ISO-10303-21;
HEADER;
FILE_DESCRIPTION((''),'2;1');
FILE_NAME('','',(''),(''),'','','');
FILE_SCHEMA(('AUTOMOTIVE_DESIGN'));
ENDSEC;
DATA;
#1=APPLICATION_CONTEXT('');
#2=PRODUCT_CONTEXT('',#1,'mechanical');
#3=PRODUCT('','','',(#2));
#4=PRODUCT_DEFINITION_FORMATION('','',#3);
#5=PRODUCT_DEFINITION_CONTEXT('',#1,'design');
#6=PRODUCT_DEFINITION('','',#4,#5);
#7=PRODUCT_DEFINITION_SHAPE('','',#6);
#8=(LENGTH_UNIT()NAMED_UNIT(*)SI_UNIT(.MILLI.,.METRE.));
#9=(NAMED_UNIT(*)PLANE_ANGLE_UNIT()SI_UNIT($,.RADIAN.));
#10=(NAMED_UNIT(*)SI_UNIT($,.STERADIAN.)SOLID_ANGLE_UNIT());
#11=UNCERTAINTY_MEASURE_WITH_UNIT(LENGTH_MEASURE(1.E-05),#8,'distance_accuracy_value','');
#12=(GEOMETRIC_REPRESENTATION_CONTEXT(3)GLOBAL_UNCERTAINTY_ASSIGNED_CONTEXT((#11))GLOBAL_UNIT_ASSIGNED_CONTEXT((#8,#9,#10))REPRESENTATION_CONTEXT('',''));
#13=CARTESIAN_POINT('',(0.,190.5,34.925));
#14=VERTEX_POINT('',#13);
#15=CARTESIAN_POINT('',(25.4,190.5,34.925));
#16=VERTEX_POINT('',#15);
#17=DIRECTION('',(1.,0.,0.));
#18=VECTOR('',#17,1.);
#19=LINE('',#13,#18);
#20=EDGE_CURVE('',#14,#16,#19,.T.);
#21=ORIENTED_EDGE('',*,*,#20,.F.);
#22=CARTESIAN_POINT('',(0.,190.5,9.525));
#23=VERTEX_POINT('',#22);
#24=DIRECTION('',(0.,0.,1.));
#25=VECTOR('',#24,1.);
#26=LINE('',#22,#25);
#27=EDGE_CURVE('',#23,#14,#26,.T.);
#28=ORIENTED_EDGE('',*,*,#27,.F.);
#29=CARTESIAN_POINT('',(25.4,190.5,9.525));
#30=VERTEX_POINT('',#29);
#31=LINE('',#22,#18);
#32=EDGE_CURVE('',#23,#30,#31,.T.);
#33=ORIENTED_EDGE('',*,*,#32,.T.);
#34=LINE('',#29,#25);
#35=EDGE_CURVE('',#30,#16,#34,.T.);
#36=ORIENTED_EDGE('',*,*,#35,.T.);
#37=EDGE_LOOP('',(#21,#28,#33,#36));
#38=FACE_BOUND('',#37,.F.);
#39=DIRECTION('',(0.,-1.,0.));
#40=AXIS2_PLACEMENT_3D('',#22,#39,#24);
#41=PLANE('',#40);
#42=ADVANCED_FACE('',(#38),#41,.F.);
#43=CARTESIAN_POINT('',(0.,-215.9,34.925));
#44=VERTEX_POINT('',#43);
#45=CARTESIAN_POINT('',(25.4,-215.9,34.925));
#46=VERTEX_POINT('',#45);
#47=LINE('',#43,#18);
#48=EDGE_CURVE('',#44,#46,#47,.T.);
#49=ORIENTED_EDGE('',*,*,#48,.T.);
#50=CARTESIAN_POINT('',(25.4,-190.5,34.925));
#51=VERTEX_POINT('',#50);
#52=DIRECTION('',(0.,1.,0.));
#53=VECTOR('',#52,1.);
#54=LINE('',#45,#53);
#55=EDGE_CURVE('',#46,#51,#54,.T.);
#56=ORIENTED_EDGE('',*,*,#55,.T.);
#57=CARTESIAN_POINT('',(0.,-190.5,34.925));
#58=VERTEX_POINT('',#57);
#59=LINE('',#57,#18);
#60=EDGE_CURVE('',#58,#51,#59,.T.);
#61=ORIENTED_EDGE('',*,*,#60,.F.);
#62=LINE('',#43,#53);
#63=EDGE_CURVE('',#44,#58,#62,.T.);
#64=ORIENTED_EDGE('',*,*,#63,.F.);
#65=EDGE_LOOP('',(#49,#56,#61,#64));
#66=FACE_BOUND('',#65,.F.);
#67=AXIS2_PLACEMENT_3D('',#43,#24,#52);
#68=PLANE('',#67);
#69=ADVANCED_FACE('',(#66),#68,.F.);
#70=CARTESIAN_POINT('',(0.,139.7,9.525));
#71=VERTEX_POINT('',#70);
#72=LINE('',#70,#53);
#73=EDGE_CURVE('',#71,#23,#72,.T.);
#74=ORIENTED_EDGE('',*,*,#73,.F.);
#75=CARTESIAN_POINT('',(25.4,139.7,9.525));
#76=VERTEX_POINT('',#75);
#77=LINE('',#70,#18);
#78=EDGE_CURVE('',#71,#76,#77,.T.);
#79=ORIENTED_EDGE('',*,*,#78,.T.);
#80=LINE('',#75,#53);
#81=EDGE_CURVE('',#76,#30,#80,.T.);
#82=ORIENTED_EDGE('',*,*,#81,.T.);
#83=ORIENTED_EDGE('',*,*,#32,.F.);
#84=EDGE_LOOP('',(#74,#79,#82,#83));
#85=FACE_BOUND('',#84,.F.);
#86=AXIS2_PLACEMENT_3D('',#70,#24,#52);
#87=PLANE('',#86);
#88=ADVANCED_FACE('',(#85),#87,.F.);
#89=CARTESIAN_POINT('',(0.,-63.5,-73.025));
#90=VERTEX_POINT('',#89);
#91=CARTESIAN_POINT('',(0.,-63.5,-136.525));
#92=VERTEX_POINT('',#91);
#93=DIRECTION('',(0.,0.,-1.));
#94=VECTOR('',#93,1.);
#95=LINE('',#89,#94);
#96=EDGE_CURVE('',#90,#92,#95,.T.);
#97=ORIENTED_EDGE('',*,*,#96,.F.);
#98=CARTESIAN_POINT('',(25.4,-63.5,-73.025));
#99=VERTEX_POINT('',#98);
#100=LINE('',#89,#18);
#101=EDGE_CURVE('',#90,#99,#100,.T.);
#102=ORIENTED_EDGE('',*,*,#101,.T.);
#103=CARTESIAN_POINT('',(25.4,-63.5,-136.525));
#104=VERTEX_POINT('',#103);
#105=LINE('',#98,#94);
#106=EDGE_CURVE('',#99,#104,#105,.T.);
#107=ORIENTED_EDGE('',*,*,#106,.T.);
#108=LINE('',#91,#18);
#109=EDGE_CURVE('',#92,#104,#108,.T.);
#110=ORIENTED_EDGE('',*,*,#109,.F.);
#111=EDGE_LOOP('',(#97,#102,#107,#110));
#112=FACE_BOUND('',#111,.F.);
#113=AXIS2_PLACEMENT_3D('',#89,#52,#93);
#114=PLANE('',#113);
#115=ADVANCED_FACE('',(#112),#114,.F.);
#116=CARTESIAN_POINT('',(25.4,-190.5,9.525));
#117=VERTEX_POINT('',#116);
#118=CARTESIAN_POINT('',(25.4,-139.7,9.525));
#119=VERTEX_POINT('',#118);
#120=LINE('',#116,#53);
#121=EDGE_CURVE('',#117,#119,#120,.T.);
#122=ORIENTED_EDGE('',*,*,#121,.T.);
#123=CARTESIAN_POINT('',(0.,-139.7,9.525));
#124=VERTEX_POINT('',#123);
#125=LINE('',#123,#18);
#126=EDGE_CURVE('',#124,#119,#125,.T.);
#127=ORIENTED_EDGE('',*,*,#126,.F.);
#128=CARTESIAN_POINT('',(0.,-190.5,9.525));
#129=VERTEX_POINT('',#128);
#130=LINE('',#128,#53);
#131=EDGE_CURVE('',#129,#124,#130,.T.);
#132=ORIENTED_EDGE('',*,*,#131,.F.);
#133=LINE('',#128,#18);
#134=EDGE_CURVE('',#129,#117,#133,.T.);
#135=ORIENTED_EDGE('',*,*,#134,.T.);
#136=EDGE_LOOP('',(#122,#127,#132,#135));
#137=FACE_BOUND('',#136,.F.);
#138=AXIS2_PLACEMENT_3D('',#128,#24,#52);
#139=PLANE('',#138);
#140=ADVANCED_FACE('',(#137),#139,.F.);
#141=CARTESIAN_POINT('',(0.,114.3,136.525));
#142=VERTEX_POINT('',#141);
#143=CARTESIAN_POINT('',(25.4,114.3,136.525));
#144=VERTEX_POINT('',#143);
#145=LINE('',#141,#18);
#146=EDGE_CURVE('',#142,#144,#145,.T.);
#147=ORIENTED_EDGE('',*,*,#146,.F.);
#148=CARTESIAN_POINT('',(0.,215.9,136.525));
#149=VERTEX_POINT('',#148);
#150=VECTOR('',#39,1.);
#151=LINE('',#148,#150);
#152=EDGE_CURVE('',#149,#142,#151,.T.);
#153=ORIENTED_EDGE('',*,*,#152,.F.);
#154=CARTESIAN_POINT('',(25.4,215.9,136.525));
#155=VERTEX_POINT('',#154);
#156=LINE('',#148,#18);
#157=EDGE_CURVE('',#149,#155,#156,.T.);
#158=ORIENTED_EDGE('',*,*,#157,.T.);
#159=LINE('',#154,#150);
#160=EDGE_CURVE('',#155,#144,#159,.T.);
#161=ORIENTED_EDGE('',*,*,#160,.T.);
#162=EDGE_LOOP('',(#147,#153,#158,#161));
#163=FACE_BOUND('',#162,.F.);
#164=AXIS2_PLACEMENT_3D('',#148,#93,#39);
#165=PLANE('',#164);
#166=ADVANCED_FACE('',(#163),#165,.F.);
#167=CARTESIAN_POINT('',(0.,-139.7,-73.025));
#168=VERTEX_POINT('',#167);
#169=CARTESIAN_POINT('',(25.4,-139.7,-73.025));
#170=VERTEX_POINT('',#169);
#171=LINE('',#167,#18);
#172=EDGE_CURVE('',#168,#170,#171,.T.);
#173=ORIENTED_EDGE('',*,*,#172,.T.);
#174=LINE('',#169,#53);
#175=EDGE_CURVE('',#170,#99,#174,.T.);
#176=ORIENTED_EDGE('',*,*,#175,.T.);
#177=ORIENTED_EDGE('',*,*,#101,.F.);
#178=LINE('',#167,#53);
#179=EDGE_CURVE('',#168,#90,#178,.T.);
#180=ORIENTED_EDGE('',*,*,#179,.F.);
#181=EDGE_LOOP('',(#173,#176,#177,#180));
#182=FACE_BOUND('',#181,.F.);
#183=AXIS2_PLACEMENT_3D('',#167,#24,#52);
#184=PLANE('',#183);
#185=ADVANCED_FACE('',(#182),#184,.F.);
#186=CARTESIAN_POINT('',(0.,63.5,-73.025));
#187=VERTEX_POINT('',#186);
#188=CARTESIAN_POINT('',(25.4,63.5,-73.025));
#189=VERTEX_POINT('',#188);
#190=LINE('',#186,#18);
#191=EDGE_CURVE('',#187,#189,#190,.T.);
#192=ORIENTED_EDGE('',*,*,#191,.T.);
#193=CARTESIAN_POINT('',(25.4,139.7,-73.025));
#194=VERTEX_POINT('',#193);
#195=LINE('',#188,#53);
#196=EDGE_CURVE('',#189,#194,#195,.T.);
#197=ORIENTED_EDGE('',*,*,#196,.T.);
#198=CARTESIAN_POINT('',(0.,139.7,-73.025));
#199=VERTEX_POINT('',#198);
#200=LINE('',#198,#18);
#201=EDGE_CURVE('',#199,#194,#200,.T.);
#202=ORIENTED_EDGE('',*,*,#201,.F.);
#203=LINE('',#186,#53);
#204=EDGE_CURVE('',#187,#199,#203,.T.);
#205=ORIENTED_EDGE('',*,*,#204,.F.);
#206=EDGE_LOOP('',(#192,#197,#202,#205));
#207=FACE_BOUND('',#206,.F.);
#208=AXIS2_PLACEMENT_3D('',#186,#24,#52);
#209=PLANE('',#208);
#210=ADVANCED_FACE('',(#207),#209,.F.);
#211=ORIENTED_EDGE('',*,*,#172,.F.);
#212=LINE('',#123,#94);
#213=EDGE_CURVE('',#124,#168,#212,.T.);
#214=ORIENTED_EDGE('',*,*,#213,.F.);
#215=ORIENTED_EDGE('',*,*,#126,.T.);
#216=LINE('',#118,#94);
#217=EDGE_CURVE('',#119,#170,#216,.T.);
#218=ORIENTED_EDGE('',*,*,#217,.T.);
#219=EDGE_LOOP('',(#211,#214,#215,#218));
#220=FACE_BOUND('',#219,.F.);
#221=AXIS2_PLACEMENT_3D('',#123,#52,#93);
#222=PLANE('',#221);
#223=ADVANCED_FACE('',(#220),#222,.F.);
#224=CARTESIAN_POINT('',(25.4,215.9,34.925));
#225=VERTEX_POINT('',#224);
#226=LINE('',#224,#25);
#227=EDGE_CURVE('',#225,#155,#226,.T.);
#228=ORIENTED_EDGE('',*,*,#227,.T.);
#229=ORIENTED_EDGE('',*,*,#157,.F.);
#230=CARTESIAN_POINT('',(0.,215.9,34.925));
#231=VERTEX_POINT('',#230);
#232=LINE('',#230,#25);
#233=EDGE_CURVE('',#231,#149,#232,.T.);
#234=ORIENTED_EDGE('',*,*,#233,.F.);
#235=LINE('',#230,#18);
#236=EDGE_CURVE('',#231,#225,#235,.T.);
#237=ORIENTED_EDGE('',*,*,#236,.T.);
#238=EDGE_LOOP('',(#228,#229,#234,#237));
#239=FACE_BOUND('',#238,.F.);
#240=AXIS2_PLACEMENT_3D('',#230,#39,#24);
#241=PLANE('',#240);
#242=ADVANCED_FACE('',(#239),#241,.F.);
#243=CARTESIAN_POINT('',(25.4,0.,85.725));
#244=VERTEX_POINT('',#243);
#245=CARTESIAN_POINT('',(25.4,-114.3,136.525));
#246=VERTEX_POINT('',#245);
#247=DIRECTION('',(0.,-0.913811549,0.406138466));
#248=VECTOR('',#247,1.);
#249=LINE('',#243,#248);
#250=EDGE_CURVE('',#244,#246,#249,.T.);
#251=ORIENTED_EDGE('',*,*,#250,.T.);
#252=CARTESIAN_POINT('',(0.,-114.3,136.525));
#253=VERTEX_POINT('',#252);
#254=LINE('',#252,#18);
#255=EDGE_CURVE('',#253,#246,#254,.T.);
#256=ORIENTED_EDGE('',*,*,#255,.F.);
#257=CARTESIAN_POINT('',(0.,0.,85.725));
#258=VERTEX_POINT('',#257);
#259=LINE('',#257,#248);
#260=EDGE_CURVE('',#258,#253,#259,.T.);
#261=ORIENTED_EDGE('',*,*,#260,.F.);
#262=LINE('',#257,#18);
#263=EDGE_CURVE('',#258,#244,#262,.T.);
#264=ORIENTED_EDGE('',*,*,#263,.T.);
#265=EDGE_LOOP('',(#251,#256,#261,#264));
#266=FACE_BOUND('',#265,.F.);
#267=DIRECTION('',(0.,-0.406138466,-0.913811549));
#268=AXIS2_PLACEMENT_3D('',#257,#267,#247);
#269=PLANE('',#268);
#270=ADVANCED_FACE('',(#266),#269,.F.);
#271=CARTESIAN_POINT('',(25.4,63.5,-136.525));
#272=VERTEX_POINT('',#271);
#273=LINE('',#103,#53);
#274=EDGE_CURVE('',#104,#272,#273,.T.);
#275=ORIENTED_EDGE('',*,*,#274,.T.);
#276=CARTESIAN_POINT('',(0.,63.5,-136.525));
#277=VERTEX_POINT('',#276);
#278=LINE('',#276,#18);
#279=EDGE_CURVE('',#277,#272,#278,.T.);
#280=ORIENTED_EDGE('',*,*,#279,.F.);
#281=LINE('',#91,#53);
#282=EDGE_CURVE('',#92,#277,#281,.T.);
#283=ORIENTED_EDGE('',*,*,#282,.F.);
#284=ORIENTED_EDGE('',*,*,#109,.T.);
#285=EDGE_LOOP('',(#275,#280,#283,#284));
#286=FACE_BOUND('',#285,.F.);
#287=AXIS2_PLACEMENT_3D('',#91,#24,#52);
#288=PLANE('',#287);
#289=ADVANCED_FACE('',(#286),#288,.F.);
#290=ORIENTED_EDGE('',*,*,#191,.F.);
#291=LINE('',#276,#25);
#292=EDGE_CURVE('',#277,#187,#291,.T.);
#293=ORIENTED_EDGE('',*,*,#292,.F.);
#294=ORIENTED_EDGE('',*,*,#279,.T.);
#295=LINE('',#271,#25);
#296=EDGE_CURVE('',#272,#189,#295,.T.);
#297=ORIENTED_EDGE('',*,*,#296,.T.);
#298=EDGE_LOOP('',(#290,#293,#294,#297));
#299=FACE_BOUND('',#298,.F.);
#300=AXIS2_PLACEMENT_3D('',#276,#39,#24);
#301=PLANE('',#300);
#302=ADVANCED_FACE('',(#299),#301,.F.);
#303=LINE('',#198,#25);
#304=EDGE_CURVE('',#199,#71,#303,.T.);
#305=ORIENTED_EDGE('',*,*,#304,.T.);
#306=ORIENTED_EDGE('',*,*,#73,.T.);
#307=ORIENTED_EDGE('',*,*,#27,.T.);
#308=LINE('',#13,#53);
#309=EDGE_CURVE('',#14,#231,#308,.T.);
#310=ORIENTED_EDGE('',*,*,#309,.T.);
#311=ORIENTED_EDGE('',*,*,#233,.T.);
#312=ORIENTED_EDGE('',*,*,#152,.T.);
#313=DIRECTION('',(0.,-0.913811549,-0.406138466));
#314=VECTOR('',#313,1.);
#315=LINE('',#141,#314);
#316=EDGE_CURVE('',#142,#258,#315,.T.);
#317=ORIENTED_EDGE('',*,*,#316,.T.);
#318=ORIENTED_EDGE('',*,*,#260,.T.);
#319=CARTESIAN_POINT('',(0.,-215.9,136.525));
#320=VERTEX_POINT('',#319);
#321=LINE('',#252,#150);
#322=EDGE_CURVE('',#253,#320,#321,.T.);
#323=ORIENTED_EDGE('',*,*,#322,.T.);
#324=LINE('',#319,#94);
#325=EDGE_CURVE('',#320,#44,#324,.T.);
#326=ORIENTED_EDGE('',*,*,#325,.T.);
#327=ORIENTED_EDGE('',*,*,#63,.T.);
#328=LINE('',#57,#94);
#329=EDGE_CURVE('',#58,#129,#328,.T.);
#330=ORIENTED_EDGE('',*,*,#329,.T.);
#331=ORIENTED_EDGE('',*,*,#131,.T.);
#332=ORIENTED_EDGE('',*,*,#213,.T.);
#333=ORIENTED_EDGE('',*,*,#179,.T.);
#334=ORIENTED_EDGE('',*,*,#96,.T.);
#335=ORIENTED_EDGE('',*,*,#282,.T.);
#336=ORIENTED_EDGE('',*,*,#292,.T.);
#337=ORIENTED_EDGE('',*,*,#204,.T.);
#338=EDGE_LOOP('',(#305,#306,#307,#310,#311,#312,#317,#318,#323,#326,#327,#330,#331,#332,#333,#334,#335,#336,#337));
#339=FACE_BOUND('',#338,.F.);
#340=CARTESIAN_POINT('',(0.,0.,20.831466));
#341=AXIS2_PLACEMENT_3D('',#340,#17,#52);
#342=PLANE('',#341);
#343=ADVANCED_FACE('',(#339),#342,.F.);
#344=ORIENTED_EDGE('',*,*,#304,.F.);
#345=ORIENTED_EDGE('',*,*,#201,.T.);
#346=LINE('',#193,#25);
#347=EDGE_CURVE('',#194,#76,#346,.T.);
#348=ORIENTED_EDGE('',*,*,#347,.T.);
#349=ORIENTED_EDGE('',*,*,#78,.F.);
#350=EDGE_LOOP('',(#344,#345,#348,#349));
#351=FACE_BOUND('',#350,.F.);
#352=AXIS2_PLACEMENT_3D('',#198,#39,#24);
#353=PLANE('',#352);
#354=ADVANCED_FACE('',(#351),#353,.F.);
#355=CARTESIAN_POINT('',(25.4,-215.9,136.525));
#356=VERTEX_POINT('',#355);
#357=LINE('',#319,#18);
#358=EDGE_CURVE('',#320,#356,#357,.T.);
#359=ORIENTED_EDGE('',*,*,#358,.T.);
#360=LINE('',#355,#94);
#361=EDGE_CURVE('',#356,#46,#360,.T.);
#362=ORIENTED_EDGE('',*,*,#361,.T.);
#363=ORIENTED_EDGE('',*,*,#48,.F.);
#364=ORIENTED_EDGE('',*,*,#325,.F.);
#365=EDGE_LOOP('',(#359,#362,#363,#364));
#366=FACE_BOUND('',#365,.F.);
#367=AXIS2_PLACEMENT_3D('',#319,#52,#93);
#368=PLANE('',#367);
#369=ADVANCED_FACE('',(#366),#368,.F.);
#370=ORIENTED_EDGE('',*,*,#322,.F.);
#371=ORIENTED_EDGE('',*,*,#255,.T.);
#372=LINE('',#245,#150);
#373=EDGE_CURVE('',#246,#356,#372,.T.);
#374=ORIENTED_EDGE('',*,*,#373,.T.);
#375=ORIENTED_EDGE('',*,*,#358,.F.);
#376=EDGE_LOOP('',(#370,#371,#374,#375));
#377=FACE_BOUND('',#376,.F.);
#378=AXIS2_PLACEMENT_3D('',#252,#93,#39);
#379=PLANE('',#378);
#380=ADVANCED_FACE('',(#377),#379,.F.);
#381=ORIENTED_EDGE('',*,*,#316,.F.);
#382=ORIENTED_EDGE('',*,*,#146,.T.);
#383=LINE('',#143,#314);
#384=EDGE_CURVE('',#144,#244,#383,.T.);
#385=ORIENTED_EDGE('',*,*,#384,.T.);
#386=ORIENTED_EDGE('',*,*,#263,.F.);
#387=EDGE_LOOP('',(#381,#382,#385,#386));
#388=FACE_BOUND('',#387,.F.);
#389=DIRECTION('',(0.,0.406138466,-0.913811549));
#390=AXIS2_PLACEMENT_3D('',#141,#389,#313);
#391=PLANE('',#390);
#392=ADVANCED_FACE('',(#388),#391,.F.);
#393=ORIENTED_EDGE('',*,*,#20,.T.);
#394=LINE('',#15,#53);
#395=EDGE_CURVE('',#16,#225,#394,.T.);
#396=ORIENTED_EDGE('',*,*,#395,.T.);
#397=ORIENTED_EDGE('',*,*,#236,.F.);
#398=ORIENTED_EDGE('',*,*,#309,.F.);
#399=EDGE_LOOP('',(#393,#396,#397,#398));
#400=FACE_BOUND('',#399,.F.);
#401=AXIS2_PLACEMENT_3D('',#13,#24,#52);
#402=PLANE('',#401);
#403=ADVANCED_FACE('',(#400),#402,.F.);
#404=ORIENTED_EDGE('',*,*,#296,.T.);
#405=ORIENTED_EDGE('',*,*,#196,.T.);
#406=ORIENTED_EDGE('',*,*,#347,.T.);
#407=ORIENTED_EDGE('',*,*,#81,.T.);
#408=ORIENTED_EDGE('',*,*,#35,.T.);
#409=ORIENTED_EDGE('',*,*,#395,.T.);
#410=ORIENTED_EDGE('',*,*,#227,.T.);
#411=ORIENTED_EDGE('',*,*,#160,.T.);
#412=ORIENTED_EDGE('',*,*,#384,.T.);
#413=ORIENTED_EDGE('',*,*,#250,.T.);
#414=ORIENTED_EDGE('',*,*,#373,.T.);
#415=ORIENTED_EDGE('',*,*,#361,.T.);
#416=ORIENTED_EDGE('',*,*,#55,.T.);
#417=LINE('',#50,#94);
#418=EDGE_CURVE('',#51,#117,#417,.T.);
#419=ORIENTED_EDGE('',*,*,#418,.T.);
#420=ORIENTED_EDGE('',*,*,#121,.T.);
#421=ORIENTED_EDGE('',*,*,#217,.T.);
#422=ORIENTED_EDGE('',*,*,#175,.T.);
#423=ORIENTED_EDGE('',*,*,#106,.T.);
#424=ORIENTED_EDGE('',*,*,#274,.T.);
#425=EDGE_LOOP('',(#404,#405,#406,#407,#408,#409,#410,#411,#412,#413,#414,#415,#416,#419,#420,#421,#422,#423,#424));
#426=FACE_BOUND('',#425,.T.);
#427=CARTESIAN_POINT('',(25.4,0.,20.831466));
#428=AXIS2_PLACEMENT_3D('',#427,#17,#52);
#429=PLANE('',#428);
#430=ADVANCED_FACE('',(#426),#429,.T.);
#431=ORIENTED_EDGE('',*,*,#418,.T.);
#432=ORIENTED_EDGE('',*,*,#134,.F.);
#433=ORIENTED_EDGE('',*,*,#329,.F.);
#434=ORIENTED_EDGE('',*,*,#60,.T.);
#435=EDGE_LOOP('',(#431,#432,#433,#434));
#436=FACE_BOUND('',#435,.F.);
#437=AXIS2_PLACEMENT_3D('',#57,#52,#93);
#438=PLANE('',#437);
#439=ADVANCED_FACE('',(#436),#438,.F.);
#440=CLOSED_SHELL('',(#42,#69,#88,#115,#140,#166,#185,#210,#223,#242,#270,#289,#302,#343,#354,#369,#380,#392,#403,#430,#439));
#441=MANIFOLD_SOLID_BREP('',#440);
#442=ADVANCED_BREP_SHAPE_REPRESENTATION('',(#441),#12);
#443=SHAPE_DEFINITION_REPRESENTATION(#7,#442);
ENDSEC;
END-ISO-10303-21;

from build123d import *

# Parameters (mm, degrees)
F1_DEPTH = 25.4


with BuildPart() as f1:
    # F0 (on Right) → F1 (new body)
    with BuildSketch(Plane.YZ):
        Polygon((-114.3, 136.525), (-215.9, 136.525), (-215.9, 34.925), (-190.5, 34.925), (-190.5, 9.525), (-139.7, 9.525), (-139.7, -73.025), (-63.5, -73.025), (-63.5, -136.525), (63.5, -136.525), (63.5, -73.025), (139.7, -73.025), (139.7, 9.525), (190.5, 9.525), (190.5, 34.925), (215.9, 34.925), (215.9, 136.525), (114.3, 136.525), (0, 85.725), align=None)
    extrude(amount=F1_DEPTH)


solid = f1.part
